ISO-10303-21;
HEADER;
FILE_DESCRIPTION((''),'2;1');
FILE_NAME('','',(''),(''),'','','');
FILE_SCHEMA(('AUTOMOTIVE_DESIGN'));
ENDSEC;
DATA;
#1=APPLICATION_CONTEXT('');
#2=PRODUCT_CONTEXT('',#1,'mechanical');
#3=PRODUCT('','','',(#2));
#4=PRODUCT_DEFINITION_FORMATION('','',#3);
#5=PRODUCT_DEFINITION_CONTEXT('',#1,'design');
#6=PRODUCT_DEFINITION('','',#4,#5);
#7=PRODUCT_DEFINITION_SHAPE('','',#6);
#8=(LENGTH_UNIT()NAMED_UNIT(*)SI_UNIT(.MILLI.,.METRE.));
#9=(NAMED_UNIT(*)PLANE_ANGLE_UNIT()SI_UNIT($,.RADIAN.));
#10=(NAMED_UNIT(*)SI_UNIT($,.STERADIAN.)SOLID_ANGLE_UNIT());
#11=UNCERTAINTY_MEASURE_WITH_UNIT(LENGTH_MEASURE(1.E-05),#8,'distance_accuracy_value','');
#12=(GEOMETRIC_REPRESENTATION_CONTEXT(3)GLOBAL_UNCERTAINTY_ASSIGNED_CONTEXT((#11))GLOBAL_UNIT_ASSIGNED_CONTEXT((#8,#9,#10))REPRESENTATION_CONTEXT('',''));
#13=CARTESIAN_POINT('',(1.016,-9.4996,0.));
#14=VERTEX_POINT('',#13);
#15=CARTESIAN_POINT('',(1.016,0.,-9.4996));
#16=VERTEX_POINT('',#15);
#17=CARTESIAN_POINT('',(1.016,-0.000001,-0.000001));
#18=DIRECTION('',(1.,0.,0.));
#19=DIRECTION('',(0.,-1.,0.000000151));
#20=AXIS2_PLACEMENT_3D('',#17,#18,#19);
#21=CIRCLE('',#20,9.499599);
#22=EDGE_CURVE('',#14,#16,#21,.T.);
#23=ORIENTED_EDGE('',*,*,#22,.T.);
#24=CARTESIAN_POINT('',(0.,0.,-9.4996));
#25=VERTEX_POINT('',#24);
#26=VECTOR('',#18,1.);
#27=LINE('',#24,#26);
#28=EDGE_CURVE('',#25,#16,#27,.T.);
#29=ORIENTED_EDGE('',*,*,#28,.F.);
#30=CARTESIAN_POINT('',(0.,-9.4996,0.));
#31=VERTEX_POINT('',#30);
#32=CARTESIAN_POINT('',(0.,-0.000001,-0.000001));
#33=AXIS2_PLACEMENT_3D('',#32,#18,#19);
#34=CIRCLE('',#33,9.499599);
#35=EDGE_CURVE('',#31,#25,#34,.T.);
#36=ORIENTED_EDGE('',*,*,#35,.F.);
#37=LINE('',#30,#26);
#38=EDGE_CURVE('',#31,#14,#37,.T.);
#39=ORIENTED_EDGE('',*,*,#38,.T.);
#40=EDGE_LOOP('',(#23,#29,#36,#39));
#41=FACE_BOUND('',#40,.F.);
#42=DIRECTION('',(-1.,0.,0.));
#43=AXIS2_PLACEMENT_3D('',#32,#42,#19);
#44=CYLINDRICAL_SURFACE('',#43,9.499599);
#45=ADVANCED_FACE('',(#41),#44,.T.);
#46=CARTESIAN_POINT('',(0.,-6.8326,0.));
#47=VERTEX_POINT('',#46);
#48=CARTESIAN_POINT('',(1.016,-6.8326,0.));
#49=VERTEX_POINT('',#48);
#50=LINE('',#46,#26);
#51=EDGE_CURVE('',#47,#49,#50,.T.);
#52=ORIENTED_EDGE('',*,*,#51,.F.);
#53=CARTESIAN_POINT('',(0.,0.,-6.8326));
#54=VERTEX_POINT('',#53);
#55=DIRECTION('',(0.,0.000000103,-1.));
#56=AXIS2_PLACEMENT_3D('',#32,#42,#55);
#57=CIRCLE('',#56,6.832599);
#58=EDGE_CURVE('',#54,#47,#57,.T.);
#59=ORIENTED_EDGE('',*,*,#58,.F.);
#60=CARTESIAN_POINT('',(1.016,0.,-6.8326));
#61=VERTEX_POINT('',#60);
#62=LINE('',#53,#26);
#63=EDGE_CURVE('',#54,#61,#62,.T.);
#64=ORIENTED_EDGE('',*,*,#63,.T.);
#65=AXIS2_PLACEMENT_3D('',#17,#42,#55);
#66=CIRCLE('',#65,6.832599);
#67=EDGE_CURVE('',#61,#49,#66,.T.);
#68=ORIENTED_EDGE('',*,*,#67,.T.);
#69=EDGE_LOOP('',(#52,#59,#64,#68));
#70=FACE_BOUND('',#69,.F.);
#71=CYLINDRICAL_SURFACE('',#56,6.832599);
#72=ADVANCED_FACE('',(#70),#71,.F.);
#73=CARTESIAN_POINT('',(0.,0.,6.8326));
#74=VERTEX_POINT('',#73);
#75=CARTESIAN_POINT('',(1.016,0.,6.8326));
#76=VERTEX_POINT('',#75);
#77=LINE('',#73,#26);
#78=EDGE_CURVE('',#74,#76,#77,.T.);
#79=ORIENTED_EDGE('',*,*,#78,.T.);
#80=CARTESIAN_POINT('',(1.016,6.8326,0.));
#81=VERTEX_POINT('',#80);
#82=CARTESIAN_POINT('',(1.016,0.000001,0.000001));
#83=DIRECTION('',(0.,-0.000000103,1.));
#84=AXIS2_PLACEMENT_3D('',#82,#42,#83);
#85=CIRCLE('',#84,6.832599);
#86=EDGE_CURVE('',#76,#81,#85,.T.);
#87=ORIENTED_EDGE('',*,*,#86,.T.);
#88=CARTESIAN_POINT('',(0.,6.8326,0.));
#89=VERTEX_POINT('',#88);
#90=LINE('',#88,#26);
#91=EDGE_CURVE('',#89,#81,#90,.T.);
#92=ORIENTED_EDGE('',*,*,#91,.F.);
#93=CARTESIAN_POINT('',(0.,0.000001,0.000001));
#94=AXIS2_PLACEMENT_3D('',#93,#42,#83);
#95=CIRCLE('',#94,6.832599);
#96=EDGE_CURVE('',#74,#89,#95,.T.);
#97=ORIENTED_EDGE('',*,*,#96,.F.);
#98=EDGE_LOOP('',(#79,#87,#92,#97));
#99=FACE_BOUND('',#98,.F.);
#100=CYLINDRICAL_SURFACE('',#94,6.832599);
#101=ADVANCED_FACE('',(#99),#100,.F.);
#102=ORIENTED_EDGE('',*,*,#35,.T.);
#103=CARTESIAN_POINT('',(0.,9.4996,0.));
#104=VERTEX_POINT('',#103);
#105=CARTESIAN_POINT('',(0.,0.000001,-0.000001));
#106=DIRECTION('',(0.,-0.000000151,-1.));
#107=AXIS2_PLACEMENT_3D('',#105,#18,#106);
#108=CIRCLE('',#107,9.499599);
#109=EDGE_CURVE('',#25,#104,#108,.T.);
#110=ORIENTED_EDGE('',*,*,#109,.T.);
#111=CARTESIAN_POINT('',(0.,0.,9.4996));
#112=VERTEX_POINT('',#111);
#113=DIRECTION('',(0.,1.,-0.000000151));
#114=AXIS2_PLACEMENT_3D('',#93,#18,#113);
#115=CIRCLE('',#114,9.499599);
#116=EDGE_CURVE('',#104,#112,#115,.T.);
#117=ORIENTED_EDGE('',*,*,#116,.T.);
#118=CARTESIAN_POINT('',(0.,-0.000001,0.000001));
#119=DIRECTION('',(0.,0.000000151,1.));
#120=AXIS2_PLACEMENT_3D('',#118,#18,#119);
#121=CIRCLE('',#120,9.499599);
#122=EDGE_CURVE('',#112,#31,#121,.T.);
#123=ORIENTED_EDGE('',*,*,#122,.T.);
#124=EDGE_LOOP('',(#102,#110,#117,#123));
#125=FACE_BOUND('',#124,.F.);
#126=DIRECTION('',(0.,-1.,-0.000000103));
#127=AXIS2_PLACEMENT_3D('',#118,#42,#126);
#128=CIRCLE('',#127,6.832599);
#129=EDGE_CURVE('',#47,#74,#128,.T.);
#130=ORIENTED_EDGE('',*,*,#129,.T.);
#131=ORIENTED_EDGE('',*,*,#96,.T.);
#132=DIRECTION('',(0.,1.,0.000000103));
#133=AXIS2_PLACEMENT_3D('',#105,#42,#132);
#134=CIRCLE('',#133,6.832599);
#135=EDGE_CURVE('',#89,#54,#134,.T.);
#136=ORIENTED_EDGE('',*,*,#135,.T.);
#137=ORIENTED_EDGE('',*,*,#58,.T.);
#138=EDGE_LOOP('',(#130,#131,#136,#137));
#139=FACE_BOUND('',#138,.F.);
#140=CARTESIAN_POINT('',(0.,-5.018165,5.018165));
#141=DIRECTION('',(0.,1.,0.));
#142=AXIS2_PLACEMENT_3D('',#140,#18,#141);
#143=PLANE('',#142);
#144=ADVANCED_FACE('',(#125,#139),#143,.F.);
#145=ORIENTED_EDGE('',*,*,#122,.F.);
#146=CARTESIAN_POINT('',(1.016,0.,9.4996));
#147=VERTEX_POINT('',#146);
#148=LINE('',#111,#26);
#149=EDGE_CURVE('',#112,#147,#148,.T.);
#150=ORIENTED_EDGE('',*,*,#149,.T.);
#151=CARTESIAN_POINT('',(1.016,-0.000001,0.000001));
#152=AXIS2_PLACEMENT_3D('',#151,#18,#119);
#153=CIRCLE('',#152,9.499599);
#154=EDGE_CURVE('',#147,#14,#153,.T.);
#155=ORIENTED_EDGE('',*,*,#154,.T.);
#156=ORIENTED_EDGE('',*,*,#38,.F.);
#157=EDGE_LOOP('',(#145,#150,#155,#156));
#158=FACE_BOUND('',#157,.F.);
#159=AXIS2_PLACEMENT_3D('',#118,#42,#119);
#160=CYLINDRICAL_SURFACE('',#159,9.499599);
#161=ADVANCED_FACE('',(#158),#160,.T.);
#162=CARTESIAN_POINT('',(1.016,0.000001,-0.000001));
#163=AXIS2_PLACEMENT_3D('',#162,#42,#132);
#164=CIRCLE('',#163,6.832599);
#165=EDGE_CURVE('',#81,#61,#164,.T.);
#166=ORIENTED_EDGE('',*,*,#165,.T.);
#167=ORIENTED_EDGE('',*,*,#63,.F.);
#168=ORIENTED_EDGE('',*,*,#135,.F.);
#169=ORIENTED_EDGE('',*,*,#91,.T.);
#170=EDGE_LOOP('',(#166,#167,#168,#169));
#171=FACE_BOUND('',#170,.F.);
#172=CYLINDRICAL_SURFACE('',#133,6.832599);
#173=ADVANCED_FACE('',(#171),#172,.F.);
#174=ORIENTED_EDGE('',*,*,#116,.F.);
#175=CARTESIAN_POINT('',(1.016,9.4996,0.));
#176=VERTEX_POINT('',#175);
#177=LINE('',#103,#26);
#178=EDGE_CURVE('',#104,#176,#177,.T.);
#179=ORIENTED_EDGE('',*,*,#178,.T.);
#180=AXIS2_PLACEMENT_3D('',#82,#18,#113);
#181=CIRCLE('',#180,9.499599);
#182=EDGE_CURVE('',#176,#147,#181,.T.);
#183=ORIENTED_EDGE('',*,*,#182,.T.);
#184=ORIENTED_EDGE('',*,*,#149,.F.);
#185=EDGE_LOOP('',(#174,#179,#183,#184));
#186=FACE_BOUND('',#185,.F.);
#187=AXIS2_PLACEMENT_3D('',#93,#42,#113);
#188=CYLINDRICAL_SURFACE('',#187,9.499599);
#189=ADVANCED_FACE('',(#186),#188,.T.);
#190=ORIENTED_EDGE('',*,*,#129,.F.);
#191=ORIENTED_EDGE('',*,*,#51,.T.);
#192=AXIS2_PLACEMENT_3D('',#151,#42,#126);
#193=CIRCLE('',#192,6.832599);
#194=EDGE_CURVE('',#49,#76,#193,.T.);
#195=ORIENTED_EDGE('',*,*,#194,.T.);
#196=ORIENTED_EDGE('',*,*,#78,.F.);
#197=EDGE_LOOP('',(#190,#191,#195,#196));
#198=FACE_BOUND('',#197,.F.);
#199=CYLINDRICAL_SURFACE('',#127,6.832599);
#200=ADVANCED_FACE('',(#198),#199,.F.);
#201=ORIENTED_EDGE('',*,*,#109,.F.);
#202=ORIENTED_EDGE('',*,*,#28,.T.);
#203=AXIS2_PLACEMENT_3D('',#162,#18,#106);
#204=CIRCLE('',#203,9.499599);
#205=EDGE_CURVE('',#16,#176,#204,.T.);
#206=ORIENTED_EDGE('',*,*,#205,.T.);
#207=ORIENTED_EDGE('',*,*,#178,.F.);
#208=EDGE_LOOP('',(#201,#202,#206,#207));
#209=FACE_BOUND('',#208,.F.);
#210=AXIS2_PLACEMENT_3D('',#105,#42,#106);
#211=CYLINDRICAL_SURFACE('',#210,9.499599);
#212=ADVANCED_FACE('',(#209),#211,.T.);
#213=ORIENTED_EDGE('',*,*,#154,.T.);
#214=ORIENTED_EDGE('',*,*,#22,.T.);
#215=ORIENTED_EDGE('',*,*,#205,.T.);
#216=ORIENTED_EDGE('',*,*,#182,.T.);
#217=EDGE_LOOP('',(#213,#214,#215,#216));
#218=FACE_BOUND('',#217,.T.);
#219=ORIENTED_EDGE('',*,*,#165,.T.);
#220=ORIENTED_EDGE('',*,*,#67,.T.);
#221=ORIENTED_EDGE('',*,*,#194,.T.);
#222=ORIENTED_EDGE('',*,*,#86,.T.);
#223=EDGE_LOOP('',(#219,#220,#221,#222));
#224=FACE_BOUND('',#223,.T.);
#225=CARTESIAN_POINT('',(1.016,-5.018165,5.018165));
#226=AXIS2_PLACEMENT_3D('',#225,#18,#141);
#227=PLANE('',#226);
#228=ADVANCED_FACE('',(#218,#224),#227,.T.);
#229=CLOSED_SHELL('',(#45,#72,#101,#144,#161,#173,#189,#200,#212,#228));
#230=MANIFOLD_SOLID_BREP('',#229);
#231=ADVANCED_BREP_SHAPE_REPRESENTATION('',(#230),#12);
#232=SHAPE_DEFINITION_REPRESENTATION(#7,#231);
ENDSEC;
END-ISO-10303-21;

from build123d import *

# Parameters (mm, degrees)
F1_DEPTH = 1.016


with BuildPart() as f1:
    # F0 (on Right) → F1 (new body)
    with BuildSketch(Plane.YZ):
        with BuildLine():
            Line((0, 6.8326), (0, 9.4996))
            ThreePointArc((0, 9.4996), (-6.717232, 6.717232), (-9.4996, 0))
            Line((-9.4996, 0), (-6.8326, 0))
            ThreePointArc((-6.8326, 0), (-4.831378, 4.831378), (0, 6.8326))
        make_face()
        with BuildLine():
            Line((6.8326, 0), (9.4996, 0))
            ThreePointArc((9.4996, 0), (6.717232, 6.717232), (0, 9.4996))
            Line((0, 9.4996), (0, 6.8326))
            ThreePointArc((0, 6.8326), (4.831378, 4.831378), (6.8326, 0))
        make_face()
        with BuildLine():
            ThreePointArc((0, -9.4996), (6.717232, -6.717232), (9.4996, 0))
            Line((9.4996, 0), (6.8326, 0))
            ThreePointArc((6.8326, 0), (4.831378, -4.831378), (0, -6.8326))
            Line((0, -6.8326), (0, -9.4996))
        make_face()
        with BuildLine():
            ThreePointArc((-9.4996, 0), (-6.717232, -6.717232), (0, -9.4996))
            Line((0, -9.4996), (0, -6.8326))
            ThreePointArc((0, -6.8326), (-4.831378, -4.831378), (-6.8326, 0))
            Line((-6.8326, 0), (-9.4996, 0))
        make_face()
    extrude(amount=F1_DEPTH)


solid = f1.part
